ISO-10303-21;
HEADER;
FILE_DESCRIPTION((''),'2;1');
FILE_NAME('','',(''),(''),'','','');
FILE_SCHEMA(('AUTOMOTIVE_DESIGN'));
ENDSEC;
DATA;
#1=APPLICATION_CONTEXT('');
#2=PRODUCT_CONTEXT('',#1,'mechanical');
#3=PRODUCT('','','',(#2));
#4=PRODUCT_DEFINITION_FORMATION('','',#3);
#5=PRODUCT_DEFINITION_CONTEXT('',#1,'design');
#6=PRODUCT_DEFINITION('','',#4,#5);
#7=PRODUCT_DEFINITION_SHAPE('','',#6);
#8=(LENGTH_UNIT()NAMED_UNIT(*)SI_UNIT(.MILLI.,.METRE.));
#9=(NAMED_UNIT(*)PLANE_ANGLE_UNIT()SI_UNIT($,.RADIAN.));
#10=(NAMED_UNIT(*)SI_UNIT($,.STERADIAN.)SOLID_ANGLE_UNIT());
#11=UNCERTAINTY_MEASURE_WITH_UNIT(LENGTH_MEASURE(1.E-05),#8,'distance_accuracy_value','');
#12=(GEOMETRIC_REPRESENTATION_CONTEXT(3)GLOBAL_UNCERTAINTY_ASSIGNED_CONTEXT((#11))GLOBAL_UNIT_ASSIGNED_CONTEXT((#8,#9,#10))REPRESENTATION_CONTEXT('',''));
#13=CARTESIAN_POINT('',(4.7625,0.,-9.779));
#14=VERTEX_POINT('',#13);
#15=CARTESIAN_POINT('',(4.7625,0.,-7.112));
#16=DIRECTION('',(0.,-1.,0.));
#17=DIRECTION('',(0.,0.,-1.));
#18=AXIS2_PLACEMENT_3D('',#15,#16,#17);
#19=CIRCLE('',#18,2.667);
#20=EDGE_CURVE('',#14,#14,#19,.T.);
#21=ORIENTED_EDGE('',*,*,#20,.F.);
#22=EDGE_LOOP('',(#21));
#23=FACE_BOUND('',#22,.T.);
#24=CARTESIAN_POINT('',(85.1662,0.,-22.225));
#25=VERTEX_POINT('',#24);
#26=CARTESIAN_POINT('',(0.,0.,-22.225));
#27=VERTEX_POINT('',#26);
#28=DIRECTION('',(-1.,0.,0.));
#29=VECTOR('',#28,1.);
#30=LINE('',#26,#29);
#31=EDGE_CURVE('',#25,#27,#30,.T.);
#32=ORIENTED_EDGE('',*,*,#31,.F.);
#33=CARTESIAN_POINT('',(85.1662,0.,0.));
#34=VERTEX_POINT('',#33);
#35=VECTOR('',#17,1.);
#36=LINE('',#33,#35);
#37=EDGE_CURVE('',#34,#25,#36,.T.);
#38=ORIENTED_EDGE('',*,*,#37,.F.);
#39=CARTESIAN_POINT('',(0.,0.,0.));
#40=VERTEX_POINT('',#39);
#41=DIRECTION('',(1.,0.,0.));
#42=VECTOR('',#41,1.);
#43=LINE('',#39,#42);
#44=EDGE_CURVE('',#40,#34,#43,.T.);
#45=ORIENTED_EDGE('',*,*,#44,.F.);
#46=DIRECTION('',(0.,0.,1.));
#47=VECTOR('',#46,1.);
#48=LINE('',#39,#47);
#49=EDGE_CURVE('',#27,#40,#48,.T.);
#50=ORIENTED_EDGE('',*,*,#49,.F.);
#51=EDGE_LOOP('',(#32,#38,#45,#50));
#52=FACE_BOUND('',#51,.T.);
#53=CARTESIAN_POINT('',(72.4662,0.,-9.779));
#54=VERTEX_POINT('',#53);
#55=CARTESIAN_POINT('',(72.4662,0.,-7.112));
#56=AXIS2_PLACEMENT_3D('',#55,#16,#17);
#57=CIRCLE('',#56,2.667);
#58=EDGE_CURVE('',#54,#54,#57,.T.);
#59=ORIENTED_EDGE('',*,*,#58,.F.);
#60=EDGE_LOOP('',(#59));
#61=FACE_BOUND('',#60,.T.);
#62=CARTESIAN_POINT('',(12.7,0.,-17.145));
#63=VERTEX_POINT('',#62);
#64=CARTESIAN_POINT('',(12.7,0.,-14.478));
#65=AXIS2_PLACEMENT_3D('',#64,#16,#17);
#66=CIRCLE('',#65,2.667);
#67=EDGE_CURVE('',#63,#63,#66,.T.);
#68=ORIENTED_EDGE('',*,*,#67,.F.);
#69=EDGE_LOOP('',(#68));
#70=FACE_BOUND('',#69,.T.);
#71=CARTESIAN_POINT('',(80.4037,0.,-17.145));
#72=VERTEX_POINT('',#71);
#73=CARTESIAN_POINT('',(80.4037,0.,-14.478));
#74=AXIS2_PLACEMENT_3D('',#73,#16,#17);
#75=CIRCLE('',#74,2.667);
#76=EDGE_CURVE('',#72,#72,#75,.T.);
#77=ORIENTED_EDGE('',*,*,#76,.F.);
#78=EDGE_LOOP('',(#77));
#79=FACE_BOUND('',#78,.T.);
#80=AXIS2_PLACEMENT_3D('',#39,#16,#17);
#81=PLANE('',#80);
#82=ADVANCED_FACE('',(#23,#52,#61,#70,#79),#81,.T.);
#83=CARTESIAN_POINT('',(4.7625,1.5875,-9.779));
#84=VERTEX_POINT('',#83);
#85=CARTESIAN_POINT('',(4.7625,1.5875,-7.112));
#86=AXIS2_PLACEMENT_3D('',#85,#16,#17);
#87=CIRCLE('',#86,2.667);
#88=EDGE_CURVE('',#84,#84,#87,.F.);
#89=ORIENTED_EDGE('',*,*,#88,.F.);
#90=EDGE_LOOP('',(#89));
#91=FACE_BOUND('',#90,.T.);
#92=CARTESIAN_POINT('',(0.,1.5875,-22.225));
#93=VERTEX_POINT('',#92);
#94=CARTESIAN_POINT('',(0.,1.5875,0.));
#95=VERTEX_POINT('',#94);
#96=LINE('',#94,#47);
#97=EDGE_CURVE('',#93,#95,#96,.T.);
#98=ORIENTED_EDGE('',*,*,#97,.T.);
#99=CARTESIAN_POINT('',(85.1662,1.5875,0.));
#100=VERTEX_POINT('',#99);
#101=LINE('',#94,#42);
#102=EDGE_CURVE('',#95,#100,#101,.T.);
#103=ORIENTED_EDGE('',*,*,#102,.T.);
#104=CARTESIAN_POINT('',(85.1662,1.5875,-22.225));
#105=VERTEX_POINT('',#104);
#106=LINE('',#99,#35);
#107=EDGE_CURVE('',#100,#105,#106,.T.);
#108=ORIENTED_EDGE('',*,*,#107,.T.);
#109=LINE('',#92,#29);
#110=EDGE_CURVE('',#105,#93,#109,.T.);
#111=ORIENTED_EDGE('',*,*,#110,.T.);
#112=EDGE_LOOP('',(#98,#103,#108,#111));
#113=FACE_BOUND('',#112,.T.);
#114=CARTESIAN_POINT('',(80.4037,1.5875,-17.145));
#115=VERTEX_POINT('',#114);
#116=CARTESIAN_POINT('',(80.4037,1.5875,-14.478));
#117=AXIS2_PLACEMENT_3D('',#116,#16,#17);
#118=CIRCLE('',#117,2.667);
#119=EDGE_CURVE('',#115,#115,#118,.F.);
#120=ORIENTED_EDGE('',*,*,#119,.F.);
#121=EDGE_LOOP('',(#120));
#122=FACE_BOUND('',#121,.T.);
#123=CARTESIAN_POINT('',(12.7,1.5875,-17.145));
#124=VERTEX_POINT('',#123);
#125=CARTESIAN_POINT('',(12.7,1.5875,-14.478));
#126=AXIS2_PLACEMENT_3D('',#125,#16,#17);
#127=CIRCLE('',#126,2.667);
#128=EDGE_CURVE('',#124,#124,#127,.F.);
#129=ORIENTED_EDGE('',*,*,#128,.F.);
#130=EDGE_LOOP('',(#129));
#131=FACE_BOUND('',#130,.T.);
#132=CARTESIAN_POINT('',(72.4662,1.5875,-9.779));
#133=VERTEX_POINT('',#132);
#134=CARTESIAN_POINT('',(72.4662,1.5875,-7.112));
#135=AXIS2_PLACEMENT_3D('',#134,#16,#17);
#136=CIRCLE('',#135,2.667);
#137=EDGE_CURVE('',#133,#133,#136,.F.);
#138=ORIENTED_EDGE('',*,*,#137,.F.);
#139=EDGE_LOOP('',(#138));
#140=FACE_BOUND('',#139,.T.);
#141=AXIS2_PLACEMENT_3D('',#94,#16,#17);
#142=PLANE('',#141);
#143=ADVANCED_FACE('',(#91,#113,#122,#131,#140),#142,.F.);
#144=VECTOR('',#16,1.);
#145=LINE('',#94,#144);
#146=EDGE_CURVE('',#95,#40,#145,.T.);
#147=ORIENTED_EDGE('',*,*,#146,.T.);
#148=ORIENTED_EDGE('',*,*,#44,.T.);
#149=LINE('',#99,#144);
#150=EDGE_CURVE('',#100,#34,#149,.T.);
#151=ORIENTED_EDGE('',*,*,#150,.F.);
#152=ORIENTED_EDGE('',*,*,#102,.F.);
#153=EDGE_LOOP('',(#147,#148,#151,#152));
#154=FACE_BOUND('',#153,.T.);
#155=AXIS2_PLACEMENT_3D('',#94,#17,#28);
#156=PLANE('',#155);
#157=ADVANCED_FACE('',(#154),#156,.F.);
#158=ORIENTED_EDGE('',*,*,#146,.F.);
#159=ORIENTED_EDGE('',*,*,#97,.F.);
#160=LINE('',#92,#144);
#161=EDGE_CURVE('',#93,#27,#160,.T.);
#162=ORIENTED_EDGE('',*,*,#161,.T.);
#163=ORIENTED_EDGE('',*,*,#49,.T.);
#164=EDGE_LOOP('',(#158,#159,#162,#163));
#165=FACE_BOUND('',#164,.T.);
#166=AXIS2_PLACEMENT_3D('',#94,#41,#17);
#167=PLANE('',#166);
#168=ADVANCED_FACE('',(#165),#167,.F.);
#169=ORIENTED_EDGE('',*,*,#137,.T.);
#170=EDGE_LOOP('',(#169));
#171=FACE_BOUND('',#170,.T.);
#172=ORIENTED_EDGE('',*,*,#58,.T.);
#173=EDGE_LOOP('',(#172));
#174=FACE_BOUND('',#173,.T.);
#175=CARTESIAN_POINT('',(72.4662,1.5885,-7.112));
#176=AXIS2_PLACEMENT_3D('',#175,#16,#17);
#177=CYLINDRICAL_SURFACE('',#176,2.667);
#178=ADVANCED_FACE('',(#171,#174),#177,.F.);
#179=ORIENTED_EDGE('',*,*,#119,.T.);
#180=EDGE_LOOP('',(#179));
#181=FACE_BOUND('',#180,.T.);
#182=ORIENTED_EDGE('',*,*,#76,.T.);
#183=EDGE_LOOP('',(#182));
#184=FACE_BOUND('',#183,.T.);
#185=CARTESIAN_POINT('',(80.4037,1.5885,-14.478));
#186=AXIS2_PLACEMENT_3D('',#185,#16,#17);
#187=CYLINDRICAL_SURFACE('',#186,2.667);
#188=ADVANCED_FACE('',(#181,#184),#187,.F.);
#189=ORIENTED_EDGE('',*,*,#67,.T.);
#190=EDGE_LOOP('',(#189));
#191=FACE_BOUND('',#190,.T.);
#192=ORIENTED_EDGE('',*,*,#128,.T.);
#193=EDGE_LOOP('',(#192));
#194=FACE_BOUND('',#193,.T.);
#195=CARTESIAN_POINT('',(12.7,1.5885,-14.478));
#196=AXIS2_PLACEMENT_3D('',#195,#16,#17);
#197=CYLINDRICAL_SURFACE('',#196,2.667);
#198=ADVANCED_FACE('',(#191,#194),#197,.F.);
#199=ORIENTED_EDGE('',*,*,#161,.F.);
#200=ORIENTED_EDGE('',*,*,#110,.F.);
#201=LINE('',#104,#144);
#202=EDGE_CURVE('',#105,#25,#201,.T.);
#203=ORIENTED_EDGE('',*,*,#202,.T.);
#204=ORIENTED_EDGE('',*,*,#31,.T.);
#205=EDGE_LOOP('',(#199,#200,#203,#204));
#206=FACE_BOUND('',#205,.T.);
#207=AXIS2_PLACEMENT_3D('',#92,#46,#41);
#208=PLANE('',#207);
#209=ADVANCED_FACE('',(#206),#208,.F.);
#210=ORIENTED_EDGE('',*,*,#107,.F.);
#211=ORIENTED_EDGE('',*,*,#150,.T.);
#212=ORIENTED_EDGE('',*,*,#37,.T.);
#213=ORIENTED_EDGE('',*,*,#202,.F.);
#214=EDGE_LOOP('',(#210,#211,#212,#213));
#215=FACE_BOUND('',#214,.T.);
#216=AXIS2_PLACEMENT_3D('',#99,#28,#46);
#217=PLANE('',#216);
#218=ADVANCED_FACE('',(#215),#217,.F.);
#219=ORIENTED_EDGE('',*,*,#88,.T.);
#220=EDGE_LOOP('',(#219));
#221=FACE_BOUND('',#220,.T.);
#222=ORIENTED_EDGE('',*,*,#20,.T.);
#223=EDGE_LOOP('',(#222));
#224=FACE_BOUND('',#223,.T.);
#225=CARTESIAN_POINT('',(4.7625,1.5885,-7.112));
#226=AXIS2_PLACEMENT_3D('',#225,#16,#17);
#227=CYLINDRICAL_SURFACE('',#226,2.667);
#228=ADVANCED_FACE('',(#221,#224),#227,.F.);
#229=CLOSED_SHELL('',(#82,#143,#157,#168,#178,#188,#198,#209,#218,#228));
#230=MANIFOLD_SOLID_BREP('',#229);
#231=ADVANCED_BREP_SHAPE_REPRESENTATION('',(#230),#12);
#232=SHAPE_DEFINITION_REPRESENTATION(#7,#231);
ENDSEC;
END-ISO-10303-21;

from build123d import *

# Parameters (mm, degrees)
SKETCH1_W           = 85.1662
SKETCH1_H           = 22.225
BOSS_EXTRUDE1_DEPTH = 1.5875
CUT_EXTRUDE1_REACH  = 3.587
SKETCH2_R           = 2.667


with BuildPart() as part:
    # Sketch1 → Boss-Extrude1 (new body)
    with BuildSketch(Plane(origin=(0, 0, 0), x_dir=(1, 0, 0), z_dir=(0, 1, 0))):
        with Locations((42.5831, 11.1125)):
            Rectangle(SKETCH1_W, SKETCH1_H)
    extrude(amount=BOSS_EXTRUDE1_DEPTH)

    # Sketch2 → Cut-Extrude1 (cut, up to next)
    with BuildSketch(Plane.XZ, mode=Mode.PRIVATE) as cut_extrude1_sk1:
        with Locations((4.7625, -7.112)):
            Circle(SKETCH2_R)
    cut_extrude1_tool1 = extrude(cut_extrude1_sk1.sketch, amount=-CUT_EXTRUDE1_REACH, mode=Mode.PRIVATE) & part.part
    add(cut_extrude1_tool1.solids().sort_by_distance((4.7625, 0, -7.112))[0], mode=Mode.SUBTRACT)
    # Sketch2 → Cut-Extrude1 (cut, up to next)
    with BuildSketch(Plane.XZ, mode=Mode.PRIVATE) as cut_extrude1_sk2:
        with Locations((12.7, -14.478)):
            Circle(SKETCH2_R)
    cut_extrude1_tool2 = extrude(cut_extrude1_sk2.sketch, amount=-CUT_EXTRUDE1_REACH, mode=Mode.PRIVATE) & part.part
    add(cut_extrude1_tool2.solids().sort_by_distance((12.7, 0, -14.478))[0], mode=Mode.SUBTRACT)
    # Sketch2 → Cut-Extrude1 (cut, up to next)
    with BuildSketch(Plane.XZ, mode=Mode.PRIVATE) as cut_extrude1_sk3:
        with Locations((72.4662, -7.112)):
            Circle(SKETCH2_R)
    cut_extrude1_tool3 = extrude(cut_extrude1_sk3.sketch, amount=-CUT_EXTRUDE1_REACH, mode=Mode.PRIVATE) & part.part
    add(cut_extrude1_tool3.solids().sort_by_distance((72.4662, 0, -7.112))[0], mode=Mode.SUBTRACT)
    # Sketch2 → Cut-Extrude1 (cut, up to next)
    with BuildSketch(Plane.XZ, mode=Mode.PRIVATE) as cut_extrude1_sk4:
        with Locations((80.4037, -14.478)):
            Circle(SKETCH2_R)
    cut_extrude1_tool4 = extrude(cut_extrude1_sk4.sketch, amount=-CUT_EXTRUDE1_REACH, mode=Mode.PRIVATE) & part.part
    add(cut_extrude1_tool4.solids().sort_by_distance((80.4037, 0, -14.478))[0], mode=Mode.SUBTRACT)


solid = part.part
